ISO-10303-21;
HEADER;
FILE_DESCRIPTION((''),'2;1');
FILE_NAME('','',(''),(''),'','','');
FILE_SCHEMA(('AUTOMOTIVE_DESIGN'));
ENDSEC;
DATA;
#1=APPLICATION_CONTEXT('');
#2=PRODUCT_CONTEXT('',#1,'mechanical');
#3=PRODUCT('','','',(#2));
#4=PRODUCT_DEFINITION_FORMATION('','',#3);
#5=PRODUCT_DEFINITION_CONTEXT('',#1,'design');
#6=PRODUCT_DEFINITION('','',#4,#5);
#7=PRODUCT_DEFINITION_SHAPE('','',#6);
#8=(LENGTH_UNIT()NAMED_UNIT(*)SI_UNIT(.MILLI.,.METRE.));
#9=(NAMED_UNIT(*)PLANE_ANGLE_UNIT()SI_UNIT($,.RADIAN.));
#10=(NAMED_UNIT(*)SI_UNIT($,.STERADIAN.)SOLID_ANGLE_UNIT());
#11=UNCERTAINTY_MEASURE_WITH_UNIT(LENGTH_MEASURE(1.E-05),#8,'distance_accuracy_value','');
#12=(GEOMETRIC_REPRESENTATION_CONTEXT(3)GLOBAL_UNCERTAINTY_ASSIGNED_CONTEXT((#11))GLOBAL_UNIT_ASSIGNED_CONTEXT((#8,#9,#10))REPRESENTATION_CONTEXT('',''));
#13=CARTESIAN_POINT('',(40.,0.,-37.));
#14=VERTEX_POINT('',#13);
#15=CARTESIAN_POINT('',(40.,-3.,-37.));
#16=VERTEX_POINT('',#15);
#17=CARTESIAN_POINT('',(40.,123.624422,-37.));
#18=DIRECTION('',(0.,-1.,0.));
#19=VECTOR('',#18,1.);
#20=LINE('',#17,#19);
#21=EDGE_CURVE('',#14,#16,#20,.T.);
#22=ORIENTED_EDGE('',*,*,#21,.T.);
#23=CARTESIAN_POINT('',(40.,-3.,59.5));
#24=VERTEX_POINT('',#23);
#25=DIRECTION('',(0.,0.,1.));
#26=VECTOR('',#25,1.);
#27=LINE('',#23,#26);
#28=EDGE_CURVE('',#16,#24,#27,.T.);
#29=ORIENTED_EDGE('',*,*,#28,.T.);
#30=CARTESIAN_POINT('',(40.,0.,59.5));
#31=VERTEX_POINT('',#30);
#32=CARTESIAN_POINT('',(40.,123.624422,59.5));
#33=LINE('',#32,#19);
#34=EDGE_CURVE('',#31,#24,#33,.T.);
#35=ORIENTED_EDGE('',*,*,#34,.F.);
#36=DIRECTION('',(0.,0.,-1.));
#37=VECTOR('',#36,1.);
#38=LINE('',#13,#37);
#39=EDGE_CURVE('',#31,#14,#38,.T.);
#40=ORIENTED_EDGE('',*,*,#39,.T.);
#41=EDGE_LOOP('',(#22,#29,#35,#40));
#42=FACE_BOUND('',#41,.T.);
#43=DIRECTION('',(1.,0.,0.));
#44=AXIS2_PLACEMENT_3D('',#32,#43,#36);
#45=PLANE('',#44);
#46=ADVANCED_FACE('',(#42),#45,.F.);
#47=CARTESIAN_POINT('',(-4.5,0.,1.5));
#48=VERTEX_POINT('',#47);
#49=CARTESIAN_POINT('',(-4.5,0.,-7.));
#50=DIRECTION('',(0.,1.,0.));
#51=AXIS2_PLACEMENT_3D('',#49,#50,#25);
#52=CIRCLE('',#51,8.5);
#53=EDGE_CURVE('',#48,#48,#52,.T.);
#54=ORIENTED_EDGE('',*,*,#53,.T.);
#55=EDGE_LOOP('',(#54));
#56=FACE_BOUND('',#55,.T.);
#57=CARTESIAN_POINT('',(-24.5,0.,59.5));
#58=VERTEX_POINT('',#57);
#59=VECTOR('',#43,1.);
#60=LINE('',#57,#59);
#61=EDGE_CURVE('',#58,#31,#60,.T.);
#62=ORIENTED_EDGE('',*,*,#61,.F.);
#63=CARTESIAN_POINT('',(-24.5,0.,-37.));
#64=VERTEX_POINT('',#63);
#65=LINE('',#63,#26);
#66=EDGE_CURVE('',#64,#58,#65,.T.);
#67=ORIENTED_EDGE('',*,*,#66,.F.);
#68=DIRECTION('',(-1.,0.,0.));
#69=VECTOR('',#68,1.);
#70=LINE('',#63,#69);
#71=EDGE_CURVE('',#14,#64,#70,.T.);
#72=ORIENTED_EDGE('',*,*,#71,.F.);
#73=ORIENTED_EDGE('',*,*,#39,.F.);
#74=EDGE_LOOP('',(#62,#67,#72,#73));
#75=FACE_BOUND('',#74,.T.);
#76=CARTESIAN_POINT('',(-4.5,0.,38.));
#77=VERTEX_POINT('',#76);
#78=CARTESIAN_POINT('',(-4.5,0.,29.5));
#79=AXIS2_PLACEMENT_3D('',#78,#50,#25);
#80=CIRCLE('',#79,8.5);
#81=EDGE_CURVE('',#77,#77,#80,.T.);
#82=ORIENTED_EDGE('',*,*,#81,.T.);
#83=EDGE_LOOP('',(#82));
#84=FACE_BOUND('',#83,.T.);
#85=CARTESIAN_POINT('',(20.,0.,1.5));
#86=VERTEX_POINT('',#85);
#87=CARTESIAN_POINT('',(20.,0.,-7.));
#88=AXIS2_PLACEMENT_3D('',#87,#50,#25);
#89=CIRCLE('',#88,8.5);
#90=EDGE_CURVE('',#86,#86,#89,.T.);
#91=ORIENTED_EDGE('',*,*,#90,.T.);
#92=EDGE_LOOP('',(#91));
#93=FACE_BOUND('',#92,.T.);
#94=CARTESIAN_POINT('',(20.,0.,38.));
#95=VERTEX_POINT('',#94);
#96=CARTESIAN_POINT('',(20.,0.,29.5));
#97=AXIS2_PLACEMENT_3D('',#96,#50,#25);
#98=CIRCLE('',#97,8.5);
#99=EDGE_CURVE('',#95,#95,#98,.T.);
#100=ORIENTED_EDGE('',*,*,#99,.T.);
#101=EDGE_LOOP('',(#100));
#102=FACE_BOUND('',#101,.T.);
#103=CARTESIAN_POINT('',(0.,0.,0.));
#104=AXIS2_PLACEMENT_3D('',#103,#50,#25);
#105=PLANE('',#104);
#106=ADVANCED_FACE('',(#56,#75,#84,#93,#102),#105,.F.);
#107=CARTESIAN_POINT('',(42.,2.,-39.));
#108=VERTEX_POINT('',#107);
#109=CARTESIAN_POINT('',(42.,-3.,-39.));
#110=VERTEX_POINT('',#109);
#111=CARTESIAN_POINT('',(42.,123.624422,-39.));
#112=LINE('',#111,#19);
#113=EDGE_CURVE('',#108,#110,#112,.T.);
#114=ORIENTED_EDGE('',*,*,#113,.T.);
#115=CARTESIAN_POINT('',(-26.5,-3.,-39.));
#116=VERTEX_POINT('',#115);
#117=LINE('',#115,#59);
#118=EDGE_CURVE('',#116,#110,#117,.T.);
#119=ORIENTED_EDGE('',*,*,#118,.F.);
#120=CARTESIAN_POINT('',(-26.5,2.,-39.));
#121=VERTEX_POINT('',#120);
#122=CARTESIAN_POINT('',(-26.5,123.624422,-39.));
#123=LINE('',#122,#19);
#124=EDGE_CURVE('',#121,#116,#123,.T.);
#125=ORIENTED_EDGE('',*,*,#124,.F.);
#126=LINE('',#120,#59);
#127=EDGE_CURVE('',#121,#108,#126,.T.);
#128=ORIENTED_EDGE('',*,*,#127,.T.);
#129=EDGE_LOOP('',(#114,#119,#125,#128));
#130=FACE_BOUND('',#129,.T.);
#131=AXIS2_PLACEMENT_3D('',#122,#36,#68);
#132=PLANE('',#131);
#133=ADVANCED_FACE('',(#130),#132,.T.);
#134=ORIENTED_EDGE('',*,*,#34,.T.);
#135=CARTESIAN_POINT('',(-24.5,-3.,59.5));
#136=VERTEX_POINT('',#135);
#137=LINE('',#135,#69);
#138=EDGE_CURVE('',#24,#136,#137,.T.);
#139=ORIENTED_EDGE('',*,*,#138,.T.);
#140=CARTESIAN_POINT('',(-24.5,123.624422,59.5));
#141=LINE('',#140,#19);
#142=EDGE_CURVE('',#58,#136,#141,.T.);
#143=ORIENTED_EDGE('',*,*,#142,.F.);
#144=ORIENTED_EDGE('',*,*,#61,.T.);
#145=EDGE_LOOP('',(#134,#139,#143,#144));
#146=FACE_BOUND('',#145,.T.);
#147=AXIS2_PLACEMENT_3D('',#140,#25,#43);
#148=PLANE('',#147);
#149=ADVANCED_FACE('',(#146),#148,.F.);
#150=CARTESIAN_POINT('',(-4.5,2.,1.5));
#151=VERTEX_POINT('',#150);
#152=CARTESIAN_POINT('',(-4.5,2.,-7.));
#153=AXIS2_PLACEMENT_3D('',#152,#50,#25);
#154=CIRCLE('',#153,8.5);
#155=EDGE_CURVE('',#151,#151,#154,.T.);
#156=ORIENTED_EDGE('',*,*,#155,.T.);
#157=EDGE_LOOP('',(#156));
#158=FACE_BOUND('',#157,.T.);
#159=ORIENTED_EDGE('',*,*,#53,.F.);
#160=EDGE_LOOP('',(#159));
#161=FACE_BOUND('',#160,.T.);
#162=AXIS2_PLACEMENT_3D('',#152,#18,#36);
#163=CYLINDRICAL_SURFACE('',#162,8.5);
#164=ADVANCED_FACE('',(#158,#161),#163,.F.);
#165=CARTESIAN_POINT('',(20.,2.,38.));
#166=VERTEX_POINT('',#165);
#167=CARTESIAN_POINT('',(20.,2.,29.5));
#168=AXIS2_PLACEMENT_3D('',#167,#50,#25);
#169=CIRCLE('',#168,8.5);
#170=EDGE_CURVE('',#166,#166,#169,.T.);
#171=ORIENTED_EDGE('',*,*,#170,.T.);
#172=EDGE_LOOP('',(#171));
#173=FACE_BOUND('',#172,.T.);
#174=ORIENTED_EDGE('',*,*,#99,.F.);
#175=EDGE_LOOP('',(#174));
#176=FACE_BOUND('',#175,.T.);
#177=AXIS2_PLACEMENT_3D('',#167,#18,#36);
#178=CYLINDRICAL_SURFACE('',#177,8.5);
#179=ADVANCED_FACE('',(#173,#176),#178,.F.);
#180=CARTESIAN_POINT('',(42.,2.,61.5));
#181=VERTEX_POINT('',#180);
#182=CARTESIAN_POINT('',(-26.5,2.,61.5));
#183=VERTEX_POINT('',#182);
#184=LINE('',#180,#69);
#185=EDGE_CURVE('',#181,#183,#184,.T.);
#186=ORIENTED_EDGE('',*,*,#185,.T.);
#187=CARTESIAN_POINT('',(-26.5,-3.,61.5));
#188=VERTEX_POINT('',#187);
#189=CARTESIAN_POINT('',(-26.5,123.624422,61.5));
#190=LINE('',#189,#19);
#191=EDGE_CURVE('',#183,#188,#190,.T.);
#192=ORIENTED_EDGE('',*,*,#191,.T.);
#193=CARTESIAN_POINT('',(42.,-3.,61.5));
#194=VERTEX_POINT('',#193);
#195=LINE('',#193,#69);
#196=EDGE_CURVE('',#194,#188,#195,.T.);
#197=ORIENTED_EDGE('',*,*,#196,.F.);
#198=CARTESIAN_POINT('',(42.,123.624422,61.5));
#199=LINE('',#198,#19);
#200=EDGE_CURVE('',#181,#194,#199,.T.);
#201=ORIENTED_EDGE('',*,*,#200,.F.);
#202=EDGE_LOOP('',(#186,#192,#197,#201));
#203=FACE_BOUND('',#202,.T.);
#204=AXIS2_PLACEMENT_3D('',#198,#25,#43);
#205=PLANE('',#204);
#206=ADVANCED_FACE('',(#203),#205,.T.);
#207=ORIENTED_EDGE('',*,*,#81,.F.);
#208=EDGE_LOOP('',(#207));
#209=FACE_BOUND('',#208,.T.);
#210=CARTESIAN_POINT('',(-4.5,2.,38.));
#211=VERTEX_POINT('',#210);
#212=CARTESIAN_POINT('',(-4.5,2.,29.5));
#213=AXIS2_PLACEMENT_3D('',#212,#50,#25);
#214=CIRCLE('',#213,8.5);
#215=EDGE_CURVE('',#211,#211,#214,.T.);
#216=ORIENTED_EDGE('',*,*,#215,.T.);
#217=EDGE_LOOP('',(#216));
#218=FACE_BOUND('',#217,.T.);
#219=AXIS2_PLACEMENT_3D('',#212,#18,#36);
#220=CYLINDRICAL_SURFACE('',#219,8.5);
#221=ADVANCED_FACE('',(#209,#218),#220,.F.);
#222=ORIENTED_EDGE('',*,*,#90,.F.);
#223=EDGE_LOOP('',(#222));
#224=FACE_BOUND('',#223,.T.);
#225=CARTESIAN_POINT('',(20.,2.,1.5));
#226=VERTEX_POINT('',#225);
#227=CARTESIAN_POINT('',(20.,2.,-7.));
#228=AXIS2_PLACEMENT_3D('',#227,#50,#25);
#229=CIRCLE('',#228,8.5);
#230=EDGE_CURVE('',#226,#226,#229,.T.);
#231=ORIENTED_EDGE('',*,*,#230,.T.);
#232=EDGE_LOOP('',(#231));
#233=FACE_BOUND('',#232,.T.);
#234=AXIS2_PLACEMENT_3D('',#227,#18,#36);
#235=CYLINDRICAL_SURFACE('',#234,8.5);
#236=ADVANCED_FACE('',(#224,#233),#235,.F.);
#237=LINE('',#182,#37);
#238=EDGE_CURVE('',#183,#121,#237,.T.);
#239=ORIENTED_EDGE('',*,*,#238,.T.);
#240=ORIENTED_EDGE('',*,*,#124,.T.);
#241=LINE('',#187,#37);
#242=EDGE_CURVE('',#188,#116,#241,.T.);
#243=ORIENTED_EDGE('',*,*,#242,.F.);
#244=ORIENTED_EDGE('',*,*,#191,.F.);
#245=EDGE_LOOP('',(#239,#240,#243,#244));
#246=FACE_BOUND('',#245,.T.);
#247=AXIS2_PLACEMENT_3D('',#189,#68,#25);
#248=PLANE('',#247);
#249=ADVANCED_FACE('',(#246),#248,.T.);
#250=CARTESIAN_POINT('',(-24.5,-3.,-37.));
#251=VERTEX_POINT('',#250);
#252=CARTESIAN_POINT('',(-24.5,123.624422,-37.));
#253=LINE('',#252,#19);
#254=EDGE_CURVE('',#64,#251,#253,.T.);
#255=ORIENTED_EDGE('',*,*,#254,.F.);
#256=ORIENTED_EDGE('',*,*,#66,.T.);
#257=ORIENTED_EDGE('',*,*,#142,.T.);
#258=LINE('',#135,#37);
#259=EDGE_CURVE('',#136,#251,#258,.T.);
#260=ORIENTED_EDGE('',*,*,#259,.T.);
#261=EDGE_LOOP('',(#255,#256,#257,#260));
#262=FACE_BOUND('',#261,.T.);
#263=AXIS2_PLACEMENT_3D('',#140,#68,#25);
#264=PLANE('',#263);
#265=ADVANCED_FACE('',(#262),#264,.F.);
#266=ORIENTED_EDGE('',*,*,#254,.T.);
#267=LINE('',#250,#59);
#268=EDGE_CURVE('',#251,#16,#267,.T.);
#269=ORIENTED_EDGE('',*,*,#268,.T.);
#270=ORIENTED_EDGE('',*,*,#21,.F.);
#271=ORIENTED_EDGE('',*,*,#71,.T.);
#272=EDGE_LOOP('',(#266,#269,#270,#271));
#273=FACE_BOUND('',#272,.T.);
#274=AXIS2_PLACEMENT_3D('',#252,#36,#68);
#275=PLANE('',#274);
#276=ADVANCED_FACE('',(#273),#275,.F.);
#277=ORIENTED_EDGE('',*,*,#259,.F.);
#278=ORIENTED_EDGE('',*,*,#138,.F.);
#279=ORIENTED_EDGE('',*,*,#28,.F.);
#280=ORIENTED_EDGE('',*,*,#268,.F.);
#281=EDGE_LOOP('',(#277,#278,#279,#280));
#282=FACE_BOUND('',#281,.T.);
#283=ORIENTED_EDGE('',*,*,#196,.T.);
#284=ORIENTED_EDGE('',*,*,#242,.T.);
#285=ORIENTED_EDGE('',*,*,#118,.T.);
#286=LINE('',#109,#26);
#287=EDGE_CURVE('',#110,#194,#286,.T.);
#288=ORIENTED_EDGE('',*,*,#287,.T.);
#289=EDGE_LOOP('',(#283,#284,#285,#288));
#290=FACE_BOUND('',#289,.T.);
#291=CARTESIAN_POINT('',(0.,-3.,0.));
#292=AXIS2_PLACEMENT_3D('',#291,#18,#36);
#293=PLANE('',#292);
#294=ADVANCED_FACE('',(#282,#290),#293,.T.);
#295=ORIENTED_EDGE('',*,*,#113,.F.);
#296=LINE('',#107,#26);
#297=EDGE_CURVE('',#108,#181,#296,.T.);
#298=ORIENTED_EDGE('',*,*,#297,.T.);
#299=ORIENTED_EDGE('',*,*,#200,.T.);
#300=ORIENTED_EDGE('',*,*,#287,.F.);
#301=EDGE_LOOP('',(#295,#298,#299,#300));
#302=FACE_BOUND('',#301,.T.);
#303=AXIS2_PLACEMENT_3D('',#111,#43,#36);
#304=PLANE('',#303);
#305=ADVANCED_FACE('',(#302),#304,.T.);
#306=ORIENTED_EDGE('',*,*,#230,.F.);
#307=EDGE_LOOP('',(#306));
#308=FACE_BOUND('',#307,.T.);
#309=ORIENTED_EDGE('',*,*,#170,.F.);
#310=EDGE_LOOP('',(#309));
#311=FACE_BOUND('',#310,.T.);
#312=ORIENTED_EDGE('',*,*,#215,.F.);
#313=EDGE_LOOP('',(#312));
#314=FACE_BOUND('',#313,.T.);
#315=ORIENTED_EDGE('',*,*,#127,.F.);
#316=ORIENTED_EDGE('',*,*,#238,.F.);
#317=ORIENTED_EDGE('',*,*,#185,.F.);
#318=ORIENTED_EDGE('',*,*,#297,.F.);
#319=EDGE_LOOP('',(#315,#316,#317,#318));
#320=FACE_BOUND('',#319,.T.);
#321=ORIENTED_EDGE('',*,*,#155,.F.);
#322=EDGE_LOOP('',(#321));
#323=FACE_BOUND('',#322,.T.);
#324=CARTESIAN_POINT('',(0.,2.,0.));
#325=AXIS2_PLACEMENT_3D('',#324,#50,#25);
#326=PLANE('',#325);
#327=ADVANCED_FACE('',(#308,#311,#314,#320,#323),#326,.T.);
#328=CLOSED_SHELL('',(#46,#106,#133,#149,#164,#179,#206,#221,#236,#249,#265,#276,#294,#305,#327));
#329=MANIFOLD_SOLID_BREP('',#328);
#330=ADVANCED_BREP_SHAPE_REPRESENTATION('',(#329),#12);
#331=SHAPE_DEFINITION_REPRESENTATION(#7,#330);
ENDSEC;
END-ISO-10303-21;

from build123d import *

# Parameters (mm, degrees)
CROQUIS1_W                   = 64.5
CROQUIS1_H                   = 96.5
CROQUIS1_R                   = 8.5
SALIENTE_EXTRUIR4_DEPTH      = 2
CROQUIS2_W                   = 68.5
CROQUIS2_H                   = 100.5
CROQUIS2_W_2                 = 64.5
CROQUIS2_H_2                 = 96.5
SALIENTE_EXTRUIR5_DEPTH      = 3
SALIENTE_EXTRUIR5_DEPTH_BACK = 2


with BuildPart() as part:
    # Croquis1 → Saliente-Extruir4 (new body)
    with BuildSketch(Plane(origin=(0, 0, 0), x_dir=(1, 0, 0), z_dir=(0, 1, 0))):
        with Locations((7.75, -11.25)):
            Rectangle(CROQUIS1_W, CROQUIS1_H)
        with Locations((20, -29.5)):
            Circle(CROQUIS1_R, mode=Mode.SUBTRACT)
        with Locations((-4.5, -29.5)):
            Circle(CROQUIS1_R, mode=Mode.SUBTRACT)
        with Locations((-4.5, 7)):
            Circle(CROQUIS1_R, mode=Mode.SUBTRACT)
        with Locations((20, 7)):
            Circle(CROQUIS1_R, mode=Mode.SUBTRACT)
    extrude(amount=SALIENTE_EXTRUIR4_DEPTH)

    # Croquis2 → Saliente-Extruir5 (add, two sides)
    with BuildSketch(Plane.XZ) as saliente_extruir5_sk:
        with Locations((7.75, 11.25)):
            Rectangle(CROQUIS2_W, CROQUIS2_H)
        with Locations((7.75, 11.25)):
            Rectangle(CROQUIS2_W_2, CROQUIS2_H_2, mode=Mode.SUBTRACT)
    extrude(amount=SALIENTE_EXTRUIR5_DEPTH)
    extrude(saliente_extruir5_sk.sketch, amount=-SALIENTE_EXTRUIR5_DEPTH_BACK)


solid = part.part
